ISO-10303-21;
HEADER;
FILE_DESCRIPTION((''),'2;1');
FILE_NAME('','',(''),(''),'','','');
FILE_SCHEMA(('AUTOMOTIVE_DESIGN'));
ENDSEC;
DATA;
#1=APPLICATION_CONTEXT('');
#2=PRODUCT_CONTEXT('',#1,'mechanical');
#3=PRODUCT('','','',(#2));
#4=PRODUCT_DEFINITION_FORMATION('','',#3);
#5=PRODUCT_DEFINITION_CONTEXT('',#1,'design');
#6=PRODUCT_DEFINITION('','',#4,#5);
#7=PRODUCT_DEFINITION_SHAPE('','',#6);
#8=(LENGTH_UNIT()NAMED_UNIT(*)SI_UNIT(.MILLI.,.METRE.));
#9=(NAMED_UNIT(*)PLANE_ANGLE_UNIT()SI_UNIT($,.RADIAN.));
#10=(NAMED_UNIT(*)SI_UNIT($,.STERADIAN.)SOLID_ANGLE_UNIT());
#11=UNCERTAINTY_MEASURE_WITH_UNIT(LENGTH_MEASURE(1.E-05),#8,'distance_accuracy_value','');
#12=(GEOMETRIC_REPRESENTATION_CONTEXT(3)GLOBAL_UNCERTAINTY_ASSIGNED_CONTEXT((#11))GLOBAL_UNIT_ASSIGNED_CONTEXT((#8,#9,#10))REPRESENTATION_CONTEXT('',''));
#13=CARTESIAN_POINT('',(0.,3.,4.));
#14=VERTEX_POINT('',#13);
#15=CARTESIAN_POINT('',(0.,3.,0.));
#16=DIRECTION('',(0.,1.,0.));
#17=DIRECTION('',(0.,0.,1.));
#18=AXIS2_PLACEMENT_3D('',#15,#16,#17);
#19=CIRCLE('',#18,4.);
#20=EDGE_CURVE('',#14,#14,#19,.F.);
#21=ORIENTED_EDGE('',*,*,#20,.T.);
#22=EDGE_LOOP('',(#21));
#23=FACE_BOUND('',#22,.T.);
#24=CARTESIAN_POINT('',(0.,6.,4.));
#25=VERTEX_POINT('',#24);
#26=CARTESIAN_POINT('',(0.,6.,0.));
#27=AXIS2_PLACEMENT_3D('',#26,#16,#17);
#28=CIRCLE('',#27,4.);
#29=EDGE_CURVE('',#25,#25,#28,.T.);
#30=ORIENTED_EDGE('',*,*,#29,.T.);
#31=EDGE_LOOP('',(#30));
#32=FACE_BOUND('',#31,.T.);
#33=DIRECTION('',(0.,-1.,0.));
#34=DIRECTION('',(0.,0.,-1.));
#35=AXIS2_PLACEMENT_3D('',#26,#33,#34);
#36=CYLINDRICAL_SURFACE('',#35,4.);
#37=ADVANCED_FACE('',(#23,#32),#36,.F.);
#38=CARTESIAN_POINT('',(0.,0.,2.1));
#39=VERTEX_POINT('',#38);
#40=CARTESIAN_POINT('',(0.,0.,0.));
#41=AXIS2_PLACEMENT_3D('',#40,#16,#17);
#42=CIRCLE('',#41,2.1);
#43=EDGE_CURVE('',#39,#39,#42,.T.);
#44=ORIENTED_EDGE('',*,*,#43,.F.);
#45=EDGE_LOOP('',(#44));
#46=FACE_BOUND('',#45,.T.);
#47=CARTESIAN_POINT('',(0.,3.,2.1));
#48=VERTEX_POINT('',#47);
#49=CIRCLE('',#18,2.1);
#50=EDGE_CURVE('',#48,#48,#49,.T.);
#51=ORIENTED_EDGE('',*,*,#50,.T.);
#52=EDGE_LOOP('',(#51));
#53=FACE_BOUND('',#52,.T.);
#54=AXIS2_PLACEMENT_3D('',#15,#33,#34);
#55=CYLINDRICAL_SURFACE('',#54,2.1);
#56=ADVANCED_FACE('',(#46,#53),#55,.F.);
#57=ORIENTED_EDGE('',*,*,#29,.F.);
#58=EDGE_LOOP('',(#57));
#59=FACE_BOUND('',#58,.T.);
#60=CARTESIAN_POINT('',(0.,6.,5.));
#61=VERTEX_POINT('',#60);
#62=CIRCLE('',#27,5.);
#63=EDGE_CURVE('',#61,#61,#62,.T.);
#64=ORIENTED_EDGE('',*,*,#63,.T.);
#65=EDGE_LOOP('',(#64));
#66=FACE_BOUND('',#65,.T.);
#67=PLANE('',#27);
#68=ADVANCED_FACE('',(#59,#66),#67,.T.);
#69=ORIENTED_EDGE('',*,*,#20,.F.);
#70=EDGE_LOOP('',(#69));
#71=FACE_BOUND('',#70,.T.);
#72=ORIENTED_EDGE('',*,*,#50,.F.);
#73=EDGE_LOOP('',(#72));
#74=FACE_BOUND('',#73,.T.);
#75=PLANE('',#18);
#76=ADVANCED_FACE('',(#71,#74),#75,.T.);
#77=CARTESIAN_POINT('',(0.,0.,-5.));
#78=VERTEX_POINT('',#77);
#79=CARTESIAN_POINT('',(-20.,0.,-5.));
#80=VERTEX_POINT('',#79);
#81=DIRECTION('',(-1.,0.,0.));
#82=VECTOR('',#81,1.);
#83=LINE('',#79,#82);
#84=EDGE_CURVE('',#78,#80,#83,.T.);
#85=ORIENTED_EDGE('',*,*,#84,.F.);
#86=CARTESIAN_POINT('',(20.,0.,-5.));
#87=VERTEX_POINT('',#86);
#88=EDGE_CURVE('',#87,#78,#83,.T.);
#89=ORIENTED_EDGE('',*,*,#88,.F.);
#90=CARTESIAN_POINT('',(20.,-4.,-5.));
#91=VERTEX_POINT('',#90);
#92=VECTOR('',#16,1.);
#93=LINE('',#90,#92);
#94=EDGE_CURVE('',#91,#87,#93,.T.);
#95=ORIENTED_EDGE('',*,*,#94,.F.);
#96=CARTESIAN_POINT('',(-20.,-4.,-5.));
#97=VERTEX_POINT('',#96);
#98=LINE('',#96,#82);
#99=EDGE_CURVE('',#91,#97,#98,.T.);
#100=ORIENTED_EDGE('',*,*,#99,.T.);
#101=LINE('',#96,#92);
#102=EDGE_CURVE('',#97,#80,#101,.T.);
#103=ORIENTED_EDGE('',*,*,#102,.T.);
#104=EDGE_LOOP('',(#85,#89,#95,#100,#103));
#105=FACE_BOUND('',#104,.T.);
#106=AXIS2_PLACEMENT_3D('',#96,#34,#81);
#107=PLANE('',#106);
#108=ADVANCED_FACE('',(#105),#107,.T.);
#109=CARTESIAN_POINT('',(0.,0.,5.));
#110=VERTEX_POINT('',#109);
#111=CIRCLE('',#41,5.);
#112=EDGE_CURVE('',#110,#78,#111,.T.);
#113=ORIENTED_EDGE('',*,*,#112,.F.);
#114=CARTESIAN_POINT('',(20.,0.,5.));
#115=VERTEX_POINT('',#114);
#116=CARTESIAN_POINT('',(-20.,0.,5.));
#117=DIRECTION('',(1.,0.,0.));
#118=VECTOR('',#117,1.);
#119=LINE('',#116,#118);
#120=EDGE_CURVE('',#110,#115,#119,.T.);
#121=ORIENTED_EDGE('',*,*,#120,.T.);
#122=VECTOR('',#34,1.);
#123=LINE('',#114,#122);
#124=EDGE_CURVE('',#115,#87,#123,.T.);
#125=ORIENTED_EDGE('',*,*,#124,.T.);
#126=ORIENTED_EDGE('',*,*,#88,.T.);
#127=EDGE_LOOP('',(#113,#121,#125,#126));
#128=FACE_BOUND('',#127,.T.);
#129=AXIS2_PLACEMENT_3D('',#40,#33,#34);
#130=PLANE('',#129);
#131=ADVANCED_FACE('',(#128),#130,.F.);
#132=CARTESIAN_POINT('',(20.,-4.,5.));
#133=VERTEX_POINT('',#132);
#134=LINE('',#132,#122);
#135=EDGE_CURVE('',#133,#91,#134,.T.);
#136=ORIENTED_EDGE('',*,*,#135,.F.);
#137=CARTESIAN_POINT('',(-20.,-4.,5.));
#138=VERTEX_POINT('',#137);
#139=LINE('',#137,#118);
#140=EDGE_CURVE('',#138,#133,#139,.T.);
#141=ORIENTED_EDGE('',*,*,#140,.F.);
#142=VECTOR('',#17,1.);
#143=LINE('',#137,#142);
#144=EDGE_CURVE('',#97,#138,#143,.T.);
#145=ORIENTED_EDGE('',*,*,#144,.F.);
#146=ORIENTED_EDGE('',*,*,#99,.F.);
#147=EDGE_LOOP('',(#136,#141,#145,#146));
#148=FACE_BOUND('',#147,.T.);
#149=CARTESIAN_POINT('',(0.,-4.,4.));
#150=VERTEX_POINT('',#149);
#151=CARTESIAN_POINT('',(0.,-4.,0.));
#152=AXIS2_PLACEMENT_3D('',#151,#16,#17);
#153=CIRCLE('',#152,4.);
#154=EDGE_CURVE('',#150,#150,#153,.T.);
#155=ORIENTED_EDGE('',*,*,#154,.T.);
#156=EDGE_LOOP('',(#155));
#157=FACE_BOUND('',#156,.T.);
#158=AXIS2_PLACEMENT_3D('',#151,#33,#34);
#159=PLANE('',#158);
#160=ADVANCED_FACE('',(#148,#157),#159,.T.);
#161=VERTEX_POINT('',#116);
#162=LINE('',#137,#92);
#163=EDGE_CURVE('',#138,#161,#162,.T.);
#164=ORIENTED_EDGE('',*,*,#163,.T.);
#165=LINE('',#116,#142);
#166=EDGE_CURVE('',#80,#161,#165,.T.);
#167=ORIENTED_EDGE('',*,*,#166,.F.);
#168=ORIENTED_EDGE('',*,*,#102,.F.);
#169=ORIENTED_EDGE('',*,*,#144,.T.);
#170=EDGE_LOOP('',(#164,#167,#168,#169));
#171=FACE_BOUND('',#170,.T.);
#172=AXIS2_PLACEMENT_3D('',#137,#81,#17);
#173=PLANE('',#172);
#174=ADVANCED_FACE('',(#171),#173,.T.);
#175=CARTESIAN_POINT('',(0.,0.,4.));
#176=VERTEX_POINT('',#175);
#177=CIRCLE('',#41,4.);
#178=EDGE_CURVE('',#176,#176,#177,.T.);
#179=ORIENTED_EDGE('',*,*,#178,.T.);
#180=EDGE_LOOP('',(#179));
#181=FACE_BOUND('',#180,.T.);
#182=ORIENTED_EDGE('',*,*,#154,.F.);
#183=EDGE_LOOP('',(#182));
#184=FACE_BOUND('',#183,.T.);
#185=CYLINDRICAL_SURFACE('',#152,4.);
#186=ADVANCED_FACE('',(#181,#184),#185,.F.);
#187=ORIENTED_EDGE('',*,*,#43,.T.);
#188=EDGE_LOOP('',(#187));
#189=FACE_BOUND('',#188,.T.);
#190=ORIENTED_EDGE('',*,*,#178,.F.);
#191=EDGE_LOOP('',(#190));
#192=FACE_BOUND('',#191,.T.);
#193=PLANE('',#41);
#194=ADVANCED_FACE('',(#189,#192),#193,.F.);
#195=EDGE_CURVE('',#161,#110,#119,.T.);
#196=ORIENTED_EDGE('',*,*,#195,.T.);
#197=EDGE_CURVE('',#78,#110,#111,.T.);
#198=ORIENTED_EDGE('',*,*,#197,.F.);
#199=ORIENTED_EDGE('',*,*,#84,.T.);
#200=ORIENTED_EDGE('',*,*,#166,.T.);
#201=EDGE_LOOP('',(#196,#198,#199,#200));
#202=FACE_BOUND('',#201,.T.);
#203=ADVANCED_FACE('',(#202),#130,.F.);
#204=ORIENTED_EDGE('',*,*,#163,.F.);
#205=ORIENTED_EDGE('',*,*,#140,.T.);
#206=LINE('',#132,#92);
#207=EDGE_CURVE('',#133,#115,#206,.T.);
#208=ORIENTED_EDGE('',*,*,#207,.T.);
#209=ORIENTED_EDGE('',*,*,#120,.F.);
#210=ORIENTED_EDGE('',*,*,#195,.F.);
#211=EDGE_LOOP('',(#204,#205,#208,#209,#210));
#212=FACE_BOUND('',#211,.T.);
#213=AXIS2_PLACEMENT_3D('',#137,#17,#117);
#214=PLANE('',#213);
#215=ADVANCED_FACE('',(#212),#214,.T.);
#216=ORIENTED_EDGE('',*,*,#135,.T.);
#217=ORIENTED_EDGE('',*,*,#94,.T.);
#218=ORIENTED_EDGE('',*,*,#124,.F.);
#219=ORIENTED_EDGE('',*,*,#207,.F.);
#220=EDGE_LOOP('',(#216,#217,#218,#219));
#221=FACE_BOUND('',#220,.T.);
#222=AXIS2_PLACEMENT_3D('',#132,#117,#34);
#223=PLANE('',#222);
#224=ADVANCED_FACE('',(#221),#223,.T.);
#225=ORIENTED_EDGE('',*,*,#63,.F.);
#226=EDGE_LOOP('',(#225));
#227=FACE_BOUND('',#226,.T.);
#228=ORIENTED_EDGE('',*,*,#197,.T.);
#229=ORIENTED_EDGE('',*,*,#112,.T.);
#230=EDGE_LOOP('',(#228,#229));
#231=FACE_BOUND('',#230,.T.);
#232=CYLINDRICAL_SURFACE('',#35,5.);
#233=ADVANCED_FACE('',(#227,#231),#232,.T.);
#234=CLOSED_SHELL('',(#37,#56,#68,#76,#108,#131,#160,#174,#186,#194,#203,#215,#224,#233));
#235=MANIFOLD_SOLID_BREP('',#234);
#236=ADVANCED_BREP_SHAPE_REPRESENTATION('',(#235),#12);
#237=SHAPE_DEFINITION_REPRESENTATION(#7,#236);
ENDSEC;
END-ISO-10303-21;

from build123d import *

# Parameters (mm, degrees)
SKETCH1_R           = 4
SKETCH1_R_2         = 2.1
BOSS_EXTRUDE1_DEPTH = 3
SKETCH2_R           = 5
SKETCH2_R_2         = 4
BOSS_EXTRUDE2_DEPTH = 6
BOSS_EXTRUDE3_START = -4
SKETCH3_W           = 40
SKETCH3_H           = 10
SKETCH3_R           = 4
BOSS_EXTRUDE3_DEPTH = 4


with BuildPart() as part:
    # Sketch1 → Boss-Extrude1 (new body)
    with BuildSketch(Plane(origin=(0, 0, 0), x_dir=(1, 0, 0), z_dir=(0, 1, 0))):
        with Locations(Location((0, 0, 0), (0, 0, 270))):
            Circle(SKETCH1_R)
        with Locations(Location((0, 0, 0), (0, 0, 270))):
            Circle(SKETCH1_R_2, mode=Mode.SUBTRACT)
    extrude(amount=BOSS_EXTRUDE1_DEPTH)

    # Sketch2 → Boss-Extrude2 (add)
    with BuildSketch(Plane(origin=(0, 0, 0), x_dir=(1, 0, 0), z_dir=(0, 1, 0))):
        with Locations(Location((0, 0, 0), (0, 0, 270))):
            Circle(SKETCH2_R)
        with Locations(Location((0, 0, 0), (0, 0, 270))):
            Circle(SKETCH2_R_2, mode=Mode.SUBTRACT)
    extrude(amount=BOSS_EXTRUDE2_DEPTH)

    # Sketch3 → Boss-Extrude3 (add)
    with BuildSketch(Plane(origin=(0, 0, 0), x_dir=(1, 0, 0), z_dir=(0, 1, 0)).offset(BOSS_EXTRUDE3_START)):
        Rectangle(SKETCH3_W, SKETCH3_H)
        with Locations(Location((0, 0, 0), (0, 0, 270))):
            Circle(SKETCH3_R, mode=Mode.SUBTRACT)
    extrude(amount=BOSS_EXTRUDE3_DEPTH)


solid = part.part
